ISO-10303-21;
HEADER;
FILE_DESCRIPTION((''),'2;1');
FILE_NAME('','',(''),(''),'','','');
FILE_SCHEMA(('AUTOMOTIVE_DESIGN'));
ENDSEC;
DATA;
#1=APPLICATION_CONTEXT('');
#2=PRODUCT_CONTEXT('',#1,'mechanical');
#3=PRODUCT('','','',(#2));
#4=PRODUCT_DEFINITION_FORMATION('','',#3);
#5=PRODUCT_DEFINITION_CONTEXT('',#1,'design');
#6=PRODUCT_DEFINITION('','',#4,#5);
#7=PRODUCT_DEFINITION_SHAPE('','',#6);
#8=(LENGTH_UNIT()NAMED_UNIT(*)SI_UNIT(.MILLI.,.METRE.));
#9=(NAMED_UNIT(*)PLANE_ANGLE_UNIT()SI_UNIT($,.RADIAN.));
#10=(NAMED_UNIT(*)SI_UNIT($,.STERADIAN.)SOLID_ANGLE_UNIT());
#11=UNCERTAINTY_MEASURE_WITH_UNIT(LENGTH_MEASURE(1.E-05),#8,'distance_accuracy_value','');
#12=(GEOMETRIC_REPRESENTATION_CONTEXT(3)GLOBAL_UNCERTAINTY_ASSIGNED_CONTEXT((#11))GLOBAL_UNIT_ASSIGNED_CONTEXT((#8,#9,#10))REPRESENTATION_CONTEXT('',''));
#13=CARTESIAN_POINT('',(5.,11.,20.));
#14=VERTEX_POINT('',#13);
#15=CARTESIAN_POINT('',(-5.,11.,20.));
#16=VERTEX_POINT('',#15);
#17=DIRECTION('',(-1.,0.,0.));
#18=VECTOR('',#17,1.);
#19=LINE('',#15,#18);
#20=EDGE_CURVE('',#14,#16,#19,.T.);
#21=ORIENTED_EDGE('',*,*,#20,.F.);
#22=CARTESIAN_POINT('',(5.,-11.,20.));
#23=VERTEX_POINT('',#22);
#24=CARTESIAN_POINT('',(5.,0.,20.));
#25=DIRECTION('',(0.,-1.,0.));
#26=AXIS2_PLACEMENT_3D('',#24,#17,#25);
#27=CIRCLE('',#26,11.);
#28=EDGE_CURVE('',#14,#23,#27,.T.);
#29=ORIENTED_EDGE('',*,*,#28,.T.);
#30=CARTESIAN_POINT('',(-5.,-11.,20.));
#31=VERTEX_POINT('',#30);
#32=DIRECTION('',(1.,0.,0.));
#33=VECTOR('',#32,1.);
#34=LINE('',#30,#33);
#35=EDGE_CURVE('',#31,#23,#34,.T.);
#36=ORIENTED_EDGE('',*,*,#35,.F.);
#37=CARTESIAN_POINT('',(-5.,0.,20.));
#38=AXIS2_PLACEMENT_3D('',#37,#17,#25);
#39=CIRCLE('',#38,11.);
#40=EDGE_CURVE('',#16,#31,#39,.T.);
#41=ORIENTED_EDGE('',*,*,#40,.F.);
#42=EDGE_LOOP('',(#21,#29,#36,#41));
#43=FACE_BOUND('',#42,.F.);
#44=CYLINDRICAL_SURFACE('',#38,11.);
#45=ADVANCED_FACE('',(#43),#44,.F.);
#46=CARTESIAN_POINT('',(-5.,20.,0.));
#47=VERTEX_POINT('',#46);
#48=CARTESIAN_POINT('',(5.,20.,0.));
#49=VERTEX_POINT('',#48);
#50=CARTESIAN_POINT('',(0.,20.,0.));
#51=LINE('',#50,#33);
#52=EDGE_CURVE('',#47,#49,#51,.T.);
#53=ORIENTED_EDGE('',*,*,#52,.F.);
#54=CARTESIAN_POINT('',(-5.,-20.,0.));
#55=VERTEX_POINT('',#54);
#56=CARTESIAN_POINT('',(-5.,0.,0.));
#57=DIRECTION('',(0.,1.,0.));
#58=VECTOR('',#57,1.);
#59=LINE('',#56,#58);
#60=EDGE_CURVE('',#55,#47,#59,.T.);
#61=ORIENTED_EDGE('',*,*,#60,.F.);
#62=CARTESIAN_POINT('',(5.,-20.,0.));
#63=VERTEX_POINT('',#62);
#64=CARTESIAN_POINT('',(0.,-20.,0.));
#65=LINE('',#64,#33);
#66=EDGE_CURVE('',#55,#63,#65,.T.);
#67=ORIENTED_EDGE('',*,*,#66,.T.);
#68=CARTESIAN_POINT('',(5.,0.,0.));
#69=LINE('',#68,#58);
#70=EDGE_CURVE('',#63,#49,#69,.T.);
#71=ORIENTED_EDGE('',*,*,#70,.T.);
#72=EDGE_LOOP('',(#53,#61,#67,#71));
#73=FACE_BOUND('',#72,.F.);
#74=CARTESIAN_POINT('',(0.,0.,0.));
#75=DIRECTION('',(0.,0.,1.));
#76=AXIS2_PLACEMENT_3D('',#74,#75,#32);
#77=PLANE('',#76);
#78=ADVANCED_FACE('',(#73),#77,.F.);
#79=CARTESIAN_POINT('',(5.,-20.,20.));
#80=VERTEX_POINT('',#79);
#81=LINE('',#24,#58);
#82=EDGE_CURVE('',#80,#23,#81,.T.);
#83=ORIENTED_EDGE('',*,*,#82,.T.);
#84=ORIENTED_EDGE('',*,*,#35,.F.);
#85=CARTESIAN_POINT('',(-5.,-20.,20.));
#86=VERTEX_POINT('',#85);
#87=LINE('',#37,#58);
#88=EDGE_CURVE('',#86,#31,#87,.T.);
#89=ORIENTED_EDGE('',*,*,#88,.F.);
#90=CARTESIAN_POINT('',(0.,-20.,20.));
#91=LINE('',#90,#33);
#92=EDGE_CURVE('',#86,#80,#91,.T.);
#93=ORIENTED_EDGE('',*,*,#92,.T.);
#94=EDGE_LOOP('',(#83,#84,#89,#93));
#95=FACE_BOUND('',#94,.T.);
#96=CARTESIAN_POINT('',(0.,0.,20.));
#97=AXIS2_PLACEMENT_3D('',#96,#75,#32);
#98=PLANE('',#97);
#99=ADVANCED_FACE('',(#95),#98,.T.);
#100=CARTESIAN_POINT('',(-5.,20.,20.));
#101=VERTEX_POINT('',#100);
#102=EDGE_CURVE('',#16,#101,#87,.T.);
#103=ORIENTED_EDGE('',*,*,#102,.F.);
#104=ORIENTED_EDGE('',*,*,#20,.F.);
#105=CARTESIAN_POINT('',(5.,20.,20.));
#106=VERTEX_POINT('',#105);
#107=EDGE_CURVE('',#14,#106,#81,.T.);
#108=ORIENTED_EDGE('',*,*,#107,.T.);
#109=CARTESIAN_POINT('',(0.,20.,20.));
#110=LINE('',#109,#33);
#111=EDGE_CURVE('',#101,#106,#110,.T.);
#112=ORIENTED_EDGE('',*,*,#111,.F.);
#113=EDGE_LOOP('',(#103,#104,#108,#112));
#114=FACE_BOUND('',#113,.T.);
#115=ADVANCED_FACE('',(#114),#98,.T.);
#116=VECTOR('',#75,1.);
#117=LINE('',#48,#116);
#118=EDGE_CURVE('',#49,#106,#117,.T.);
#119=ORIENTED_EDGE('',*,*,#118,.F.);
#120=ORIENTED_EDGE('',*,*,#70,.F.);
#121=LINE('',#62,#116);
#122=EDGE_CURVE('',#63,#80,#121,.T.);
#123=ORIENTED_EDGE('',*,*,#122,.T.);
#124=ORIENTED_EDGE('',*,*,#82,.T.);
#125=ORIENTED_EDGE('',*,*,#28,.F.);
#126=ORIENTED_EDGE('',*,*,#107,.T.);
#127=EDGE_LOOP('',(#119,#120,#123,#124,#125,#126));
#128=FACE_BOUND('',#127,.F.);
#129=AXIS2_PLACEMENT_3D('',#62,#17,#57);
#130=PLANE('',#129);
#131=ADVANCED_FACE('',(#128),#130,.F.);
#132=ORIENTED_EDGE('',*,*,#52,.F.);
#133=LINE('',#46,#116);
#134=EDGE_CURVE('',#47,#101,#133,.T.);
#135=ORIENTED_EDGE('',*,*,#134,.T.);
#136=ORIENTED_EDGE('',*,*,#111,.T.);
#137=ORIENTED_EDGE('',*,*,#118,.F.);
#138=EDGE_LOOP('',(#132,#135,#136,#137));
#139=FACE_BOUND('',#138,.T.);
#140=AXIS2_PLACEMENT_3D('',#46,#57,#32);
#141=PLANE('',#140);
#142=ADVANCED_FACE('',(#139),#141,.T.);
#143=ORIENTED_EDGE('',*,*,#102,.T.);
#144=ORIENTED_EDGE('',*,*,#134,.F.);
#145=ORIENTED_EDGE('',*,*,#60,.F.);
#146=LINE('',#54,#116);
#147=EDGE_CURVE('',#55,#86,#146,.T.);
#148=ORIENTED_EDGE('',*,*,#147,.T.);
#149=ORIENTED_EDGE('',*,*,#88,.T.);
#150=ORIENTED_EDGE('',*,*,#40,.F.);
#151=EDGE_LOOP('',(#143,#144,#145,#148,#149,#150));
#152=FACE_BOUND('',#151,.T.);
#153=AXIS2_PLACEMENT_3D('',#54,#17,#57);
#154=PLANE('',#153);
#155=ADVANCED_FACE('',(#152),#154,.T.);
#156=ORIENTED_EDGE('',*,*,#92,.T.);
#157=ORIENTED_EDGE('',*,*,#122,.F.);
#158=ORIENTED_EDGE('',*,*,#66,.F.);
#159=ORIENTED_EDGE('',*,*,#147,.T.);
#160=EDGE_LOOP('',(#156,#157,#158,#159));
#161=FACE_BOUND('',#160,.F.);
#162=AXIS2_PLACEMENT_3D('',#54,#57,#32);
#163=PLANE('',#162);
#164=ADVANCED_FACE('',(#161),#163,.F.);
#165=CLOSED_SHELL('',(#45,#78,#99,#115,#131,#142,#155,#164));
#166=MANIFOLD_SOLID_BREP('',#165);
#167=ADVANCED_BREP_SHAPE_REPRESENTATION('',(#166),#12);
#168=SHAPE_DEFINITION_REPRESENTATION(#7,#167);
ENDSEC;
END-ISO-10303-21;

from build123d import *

# Parameters (mm, degrees)
F0_W     = 10
F0_H     = 40
F1_DEPTH = 20
F2_R     = 11
F3_DEPTH = 10.001


with BuildPart() as f1:
    # F0 (on Top) → F1 (new body)
    with BuildSketch(Plane.XY):
        Rectangle(F0_W, F0_H)
    extrude(amount=F1_DEPTH)

    # F2 (on face) → F3 (cut, through all)
    with BuildSketch(Plane(origin=(-5, 0, 0), x_dir=(0, -1, 0), z_dir=(-1, 0, 0))):
        with Locations((0, 20)):
            Circle(F2_R)
    extrude(amount=-F3_DEPTH, mode=Mode.SUBTRACT)


solid = f1.part
